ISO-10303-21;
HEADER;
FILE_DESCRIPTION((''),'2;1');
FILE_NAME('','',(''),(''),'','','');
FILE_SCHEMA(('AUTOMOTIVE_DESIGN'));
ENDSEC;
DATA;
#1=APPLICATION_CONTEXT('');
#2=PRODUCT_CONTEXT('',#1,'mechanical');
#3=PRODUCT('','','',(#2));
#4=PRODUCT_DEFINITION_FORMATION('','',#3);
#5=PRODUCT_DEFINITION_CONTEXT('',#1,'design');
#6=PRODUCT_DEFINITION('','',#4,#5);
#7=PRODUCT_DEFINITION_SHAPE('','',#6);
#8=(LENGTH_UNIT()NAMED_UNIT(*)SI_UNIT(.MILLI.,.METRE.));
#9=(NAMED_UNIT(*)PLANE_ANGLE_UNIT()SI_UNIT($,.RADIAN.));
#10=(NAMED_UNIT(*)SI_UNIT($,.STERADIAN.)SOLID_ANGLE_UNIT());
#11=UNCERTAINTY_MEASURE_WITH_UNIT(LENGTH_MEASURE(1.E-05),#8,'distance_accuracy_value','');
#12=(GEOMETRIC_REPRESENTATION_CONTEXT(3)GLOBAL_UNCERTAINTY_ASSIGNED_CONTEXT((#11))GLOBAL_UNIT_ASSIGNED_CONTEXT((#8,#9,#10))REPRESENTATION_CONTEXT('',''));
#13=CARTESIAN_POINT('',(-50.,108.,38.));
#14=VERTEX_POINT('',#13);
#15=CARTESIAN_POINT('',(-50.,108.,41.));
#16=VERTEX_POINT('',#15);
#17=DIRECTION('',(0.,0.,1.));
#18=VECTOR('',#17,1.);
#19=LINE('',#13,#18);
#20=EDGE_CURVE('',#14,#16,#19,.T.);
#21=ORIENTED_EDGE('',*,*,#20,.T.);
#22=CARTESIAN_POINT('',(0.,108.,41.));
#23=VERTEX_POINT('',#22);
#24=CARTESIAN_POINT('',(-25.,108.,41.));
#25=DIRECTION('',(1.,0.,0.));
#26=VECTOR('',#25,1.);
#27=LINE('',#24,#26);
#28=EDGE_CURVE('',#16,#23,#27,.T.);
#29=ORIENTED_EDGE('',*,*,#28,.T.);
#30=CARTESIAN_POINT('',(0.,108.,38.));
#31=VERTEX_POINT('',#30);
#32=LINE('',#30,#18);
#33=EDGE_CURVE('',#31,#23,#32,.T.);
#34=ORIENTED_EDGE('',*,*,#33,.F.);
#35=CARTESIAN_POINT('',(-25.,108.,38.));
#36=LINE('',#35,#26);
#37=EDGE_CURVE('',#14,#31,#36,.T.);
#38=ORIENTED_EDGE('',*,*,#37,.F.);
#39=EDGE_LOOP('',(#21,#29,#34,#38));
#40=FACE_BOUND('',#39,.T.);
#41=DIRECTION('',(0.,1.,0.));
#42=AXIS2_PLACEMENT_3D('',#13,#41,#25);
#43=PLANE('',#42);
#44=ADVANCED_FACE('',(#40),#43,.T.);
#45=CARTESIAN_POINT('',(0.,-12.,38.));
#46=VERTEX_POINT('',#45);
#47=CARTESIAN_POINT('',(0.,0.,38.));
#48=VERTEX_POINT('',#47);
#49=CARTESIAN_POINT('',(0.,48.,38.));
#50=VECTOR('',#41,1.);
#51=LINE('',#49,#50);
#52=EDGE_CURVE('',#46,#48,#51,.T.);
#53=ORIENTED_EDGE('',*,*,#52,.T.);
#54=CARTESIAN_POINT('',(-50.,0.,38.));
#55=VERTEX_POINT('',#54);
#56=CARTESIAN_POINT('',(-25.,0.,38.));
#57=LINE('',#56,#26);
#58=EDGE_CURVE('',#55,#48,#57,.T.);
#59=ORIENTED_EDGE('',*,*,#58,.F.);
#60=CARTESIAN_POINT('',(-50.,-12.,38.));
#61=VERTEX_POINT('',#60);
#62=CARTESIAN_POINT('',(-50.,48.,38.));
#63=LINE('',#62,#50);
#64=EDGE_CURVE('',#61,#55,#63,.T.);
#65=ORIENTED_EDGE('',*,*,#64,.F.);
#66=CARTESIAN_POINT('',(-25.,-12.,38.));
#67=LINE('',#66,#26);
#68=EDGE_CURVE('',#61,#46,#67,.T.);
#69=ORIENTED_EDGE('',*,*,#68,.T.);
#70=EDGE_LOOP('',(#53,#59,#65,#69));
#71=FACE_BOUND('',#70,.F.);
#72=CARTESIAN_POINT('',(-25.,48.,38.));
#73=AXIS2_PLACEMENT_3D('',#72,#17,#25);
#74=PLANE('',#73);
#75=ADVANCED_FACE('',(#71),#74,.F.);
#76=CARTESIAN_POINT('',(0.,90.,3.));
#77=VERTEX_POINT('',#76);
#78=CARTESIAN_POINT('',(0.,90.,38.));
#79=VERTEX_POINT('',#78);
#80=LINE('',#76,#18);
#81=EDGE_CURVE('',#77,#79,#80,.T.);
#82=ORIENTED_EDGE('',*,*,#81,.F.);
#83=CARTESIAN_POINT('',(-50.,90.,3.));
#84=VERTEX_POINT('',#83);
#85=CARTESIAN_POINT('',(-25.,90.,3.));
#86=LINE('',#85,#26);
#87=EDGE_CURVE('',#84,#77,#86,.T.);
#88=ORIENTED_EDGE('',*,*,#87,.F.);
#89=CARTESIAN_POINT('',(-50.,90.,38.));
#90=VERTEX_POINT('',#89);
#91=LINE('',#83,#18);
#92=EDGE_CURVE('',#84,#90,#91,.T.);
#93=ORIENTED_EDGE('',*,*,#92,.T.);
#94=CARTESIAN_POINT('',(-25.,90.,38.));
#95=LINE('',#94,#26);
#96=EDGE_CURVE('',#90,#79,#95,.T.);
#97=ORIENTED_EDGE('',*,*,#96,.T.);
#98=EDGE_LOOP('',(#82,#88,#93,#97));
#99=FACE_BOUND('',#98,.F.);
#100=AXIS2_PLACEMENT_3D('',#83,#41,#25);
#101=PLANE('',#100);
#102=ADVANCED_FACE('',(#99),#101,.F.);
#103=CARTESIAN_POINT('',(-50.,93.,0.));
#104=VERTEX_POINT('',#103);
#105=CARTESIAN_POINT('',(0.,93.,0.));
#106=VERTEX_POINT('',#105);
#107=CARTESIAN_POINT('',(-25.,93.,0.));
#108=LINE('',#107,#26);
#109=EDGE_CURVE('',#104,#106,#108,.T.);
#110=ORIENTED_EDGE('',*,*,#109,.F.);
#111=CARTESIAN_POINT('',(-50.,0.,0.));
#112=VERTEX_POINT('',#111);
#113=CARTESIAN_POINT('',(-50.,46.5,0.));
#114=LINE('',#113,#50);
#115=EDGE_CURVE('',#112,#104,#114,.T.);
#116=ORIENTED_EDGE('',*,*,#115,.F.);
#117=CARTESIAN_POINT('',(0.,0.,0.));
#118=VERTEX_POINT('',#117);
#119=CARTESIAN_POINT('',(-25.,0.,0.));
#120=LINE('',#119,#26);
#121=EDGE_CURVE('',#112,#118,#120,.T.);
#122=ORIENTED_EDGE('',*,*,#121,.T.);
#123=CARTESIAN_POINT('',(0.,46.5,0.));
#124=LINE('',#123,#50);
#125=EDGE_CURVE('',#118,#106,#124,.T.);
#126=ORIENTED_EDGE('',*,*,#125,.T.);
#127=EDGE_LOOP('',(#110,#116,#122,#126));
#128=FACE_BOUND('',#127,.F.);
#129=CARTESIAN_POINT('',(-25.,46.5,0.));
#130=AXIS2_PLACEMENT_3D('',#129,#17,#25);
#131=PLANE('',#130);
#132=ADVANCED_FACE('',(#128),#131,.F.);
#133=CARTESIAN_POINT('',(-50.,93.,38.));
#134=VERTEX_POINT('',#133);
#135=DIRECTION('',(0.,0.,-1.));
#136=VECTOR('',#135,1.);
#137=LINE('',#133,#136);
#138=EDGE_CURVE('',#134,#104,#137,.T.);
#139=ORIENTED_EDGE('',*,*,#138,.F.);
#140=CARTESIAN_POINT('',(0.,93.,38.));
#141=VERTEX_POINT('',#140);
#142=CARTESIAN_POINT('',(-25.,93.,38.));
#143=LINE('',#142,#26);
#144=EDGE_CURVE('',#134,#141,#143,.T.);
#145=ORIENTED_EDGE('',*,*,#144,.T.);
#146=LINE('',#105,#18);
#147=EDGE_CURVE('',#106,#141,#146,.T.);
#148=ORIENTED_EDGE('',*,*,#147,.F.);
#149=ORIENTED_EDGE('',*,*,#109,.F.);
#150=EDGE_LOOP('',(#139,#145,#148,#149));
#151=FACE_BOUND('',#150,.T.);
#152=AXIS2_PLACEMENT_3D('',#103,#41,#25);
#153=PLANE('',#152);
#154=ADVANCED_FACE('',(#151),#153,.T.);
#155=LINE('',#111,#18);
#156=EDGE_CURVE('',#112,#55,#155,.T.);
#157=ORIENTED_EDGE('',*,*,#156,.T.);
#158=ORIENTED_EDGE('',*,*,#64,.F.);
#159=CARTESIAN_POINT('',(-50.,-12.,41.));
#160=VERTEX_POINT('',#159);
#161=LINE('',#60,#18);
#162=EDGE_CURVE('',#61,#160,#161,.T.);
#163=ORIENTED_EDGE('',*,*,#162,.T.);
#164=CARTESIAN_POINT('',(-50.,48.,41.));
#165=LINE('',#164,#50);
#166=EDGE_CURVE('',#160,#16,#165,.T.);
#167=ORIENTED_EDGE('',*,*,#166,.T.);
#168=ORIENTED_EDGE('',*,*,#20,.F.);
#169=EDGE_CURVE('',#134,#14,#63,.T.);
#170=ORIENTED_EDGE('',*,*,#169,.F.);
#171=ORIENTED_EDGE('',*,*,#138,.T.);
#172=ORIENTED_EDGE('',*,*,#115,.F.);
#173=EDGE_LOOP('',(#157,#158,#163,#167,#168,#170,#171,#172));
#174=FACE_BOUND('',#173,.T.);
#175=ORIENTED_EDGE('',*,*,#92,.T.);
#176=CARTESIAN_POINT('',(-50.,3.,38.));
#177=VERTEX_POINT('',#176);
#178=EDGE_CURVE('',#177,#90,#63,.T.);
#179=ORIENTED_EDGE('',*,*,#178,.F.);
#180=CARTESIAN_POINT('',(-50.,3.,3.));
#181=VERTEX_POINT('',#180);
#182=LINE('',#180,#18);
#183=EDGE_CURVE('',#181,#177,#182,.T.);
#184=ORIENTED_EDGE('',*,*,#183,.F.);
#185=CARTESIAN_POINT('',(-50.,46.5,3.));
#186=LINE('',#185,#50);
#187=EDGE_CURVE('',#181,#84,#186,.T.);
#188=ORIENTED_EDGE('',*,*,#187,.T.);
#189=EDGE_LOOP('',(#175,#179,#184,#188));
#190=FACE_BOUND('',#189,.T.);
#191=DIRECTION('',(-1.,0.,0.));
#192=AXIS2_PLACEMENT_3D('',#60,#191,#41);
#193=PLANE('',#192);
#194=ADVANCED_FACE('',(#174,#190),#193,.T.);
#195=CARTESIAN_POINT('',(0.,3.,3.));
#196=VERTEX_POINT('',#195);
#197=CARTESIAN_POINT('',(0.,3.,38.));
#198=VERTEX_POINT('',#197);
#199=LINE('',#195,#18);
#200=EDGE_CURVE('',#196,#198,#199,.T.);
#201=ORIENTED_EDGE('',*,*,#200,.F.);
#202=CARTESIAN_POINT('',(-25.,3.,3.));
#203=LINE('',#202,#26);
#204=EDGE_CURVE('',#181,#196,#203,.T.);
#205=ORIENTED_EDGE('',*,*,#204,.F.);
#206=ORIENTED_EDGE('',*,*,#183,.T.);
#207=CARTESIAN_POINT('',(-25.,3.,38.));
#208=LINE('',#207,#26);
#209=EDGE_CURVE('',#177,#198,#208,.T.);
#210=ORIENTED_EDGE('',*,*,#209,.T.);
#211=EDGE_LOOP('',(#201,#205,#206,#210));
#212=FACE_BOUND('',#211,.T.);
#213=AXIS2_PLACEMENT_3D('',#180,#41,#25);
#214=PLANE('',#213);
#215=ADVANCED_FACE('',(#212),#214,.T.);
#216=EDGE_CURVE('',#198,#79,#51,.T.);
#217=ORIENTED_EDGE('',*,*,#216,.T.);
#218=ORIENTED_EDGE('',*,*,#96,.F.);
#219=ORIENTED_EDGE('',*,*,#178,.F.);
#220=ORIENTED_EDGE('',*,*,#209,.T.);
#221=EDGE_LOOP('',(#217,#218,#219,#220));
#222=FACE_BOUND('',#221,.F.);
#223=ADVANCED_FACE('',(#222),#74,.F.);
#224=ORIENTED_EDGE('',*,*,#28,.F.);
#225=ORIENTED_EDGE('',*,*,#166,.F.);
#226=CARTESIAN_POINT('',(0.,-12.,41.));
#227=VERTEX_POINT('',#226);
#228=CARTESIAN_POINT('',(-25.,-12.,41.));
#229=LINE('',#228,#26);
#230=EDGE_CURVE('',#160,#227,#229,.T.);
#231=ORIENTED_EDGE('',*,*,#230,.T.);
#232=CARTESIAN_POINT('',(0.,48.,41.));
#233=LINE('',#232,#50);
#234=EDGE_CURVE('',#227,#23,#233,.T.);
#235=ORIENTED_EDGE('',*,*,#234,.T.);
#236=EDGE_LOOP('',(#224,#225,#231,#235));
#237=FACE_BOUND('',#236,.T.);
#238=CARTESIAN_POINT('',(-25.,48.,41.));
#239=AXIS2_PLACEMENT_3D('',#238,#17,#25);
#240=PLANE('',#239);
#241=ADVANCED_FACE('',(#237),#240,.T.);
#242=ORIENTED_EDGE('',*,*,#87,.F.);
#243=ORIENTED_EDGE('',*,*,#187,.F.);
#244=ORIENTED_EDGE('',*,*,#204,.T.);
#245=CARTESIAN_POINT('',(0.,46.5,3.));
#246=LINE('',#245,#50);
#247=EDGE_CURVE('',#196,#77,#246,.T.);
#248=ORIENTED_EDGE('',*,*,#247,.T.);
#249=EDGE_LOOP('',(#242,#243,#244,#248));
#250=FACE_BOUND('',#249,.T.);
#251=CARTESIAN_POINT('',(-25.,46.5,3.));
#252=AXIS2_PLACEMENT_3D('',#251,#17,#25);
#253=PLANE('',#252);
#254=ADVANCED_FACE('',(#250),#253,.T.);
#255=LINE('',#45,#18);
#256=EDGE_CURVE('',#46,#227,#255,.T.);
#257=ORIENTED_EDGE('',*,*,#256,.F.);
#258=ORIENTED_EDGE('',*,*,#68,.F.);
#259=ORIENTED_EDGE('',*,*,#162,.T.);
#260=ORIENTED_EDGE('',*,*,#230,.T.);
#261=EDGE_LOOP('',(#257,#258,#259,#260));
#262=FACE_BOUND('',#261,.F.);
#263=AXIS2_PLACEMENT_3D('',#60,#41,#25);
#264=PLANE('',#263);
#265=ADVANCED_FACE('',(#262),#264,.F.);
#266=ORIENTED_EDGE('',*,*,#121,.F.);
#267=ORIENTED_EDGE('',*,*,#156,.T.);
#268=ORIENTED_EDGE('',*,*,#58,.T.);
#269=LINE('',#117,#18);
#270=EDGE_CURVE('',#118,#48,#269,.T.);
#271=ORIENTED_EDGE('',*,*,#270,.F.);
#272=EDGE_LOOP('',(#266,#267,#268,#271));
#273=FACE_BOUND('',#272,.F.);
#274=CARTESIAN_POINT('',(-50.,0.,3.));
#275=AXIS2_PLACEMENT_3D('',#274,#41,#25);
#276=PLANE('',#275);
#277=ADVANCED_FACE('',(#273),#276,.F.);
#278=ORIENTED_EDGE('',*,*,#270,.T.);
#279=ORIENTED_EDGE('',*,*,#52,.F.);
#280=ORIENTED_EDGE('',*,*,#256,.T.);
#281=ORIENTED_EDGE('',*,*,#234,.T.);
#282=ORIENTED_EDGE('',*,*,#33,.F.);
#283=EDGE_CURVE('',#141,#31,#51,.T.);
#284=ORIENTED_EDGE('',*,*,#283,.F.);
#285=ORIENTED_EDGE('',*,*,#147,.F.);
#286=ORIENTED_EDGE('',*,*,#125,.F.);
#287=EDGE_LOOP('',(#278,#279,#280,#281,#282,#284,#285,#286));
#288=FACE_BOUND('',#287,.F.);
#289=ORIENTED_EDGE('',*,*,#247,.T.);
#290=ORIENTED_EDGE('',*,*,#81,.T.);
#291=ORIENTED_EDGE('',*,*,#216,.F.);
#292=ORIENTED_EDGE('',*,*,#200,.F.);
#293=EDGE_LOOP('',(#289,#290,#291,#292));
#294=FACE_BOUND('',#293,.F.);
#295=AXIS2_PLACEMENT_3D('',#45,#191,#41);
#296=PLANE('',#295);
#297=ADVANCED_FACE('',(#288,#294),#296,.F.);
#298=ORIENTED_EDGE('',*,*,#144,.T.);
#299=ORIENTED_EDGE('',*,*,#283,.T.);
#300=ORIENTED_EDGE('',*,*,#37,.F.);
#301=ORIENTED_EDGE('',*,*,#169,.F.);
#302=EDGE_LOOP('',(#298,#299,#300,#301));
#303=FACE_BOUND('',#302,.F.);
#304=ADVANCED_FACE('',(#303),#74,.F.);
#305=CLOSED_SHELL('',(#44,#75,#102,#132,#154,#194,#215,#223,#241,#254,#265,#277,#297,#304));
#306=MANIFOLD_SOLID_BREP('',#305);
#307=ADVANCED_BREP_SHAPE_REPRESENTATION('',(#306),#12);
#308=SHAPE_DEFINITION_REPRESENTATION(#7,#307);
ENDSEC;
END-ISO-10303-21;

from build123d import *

# Parameters (mm, degrees)
SKETCH_W     = 50
SKETCH_H     = 93
PAD_DEPTH    = 3
SKETCH001_W  = 50
SKETCH001_H  = 3
PAD001_DEPTH = 35
SKETCH002_W  = 50
SKETCH002_H  = 120
PAD002_DEPTH = 3


with BuildPart() as part:
    # Sketch → Pad (new body)
    with BuildSketch(Plane.XY):
        with Locations((-25, 46.5)):
            Rectangle(SKETCH_W, SKETCH_H)
    extrude(amount=PAD_DEPTH)

    # Sketch001 → Pad001 (new body)
    with BuildSketch(Plane.XY.offset(3)):
        with Locations((-25, 1.5)):
            Rectangle(SKETCH001_W, SKETCH001_H)
        with Locations((-25, 91.5)):
            Rectangle(SKETCH001_W, SKETCH001_H)
    extrude(amount=PAD001_DEPTH)

    # Sketch002 → Pad002 (new body)
    with BuildSketch(Plane.XY.offset(38)):
        with Locations((-25, 48)):
            Rectangle(SKETCH002_W, SKETCH002_H)
    extrude(amount=PAD002_DEPTH)


solid = part.part
